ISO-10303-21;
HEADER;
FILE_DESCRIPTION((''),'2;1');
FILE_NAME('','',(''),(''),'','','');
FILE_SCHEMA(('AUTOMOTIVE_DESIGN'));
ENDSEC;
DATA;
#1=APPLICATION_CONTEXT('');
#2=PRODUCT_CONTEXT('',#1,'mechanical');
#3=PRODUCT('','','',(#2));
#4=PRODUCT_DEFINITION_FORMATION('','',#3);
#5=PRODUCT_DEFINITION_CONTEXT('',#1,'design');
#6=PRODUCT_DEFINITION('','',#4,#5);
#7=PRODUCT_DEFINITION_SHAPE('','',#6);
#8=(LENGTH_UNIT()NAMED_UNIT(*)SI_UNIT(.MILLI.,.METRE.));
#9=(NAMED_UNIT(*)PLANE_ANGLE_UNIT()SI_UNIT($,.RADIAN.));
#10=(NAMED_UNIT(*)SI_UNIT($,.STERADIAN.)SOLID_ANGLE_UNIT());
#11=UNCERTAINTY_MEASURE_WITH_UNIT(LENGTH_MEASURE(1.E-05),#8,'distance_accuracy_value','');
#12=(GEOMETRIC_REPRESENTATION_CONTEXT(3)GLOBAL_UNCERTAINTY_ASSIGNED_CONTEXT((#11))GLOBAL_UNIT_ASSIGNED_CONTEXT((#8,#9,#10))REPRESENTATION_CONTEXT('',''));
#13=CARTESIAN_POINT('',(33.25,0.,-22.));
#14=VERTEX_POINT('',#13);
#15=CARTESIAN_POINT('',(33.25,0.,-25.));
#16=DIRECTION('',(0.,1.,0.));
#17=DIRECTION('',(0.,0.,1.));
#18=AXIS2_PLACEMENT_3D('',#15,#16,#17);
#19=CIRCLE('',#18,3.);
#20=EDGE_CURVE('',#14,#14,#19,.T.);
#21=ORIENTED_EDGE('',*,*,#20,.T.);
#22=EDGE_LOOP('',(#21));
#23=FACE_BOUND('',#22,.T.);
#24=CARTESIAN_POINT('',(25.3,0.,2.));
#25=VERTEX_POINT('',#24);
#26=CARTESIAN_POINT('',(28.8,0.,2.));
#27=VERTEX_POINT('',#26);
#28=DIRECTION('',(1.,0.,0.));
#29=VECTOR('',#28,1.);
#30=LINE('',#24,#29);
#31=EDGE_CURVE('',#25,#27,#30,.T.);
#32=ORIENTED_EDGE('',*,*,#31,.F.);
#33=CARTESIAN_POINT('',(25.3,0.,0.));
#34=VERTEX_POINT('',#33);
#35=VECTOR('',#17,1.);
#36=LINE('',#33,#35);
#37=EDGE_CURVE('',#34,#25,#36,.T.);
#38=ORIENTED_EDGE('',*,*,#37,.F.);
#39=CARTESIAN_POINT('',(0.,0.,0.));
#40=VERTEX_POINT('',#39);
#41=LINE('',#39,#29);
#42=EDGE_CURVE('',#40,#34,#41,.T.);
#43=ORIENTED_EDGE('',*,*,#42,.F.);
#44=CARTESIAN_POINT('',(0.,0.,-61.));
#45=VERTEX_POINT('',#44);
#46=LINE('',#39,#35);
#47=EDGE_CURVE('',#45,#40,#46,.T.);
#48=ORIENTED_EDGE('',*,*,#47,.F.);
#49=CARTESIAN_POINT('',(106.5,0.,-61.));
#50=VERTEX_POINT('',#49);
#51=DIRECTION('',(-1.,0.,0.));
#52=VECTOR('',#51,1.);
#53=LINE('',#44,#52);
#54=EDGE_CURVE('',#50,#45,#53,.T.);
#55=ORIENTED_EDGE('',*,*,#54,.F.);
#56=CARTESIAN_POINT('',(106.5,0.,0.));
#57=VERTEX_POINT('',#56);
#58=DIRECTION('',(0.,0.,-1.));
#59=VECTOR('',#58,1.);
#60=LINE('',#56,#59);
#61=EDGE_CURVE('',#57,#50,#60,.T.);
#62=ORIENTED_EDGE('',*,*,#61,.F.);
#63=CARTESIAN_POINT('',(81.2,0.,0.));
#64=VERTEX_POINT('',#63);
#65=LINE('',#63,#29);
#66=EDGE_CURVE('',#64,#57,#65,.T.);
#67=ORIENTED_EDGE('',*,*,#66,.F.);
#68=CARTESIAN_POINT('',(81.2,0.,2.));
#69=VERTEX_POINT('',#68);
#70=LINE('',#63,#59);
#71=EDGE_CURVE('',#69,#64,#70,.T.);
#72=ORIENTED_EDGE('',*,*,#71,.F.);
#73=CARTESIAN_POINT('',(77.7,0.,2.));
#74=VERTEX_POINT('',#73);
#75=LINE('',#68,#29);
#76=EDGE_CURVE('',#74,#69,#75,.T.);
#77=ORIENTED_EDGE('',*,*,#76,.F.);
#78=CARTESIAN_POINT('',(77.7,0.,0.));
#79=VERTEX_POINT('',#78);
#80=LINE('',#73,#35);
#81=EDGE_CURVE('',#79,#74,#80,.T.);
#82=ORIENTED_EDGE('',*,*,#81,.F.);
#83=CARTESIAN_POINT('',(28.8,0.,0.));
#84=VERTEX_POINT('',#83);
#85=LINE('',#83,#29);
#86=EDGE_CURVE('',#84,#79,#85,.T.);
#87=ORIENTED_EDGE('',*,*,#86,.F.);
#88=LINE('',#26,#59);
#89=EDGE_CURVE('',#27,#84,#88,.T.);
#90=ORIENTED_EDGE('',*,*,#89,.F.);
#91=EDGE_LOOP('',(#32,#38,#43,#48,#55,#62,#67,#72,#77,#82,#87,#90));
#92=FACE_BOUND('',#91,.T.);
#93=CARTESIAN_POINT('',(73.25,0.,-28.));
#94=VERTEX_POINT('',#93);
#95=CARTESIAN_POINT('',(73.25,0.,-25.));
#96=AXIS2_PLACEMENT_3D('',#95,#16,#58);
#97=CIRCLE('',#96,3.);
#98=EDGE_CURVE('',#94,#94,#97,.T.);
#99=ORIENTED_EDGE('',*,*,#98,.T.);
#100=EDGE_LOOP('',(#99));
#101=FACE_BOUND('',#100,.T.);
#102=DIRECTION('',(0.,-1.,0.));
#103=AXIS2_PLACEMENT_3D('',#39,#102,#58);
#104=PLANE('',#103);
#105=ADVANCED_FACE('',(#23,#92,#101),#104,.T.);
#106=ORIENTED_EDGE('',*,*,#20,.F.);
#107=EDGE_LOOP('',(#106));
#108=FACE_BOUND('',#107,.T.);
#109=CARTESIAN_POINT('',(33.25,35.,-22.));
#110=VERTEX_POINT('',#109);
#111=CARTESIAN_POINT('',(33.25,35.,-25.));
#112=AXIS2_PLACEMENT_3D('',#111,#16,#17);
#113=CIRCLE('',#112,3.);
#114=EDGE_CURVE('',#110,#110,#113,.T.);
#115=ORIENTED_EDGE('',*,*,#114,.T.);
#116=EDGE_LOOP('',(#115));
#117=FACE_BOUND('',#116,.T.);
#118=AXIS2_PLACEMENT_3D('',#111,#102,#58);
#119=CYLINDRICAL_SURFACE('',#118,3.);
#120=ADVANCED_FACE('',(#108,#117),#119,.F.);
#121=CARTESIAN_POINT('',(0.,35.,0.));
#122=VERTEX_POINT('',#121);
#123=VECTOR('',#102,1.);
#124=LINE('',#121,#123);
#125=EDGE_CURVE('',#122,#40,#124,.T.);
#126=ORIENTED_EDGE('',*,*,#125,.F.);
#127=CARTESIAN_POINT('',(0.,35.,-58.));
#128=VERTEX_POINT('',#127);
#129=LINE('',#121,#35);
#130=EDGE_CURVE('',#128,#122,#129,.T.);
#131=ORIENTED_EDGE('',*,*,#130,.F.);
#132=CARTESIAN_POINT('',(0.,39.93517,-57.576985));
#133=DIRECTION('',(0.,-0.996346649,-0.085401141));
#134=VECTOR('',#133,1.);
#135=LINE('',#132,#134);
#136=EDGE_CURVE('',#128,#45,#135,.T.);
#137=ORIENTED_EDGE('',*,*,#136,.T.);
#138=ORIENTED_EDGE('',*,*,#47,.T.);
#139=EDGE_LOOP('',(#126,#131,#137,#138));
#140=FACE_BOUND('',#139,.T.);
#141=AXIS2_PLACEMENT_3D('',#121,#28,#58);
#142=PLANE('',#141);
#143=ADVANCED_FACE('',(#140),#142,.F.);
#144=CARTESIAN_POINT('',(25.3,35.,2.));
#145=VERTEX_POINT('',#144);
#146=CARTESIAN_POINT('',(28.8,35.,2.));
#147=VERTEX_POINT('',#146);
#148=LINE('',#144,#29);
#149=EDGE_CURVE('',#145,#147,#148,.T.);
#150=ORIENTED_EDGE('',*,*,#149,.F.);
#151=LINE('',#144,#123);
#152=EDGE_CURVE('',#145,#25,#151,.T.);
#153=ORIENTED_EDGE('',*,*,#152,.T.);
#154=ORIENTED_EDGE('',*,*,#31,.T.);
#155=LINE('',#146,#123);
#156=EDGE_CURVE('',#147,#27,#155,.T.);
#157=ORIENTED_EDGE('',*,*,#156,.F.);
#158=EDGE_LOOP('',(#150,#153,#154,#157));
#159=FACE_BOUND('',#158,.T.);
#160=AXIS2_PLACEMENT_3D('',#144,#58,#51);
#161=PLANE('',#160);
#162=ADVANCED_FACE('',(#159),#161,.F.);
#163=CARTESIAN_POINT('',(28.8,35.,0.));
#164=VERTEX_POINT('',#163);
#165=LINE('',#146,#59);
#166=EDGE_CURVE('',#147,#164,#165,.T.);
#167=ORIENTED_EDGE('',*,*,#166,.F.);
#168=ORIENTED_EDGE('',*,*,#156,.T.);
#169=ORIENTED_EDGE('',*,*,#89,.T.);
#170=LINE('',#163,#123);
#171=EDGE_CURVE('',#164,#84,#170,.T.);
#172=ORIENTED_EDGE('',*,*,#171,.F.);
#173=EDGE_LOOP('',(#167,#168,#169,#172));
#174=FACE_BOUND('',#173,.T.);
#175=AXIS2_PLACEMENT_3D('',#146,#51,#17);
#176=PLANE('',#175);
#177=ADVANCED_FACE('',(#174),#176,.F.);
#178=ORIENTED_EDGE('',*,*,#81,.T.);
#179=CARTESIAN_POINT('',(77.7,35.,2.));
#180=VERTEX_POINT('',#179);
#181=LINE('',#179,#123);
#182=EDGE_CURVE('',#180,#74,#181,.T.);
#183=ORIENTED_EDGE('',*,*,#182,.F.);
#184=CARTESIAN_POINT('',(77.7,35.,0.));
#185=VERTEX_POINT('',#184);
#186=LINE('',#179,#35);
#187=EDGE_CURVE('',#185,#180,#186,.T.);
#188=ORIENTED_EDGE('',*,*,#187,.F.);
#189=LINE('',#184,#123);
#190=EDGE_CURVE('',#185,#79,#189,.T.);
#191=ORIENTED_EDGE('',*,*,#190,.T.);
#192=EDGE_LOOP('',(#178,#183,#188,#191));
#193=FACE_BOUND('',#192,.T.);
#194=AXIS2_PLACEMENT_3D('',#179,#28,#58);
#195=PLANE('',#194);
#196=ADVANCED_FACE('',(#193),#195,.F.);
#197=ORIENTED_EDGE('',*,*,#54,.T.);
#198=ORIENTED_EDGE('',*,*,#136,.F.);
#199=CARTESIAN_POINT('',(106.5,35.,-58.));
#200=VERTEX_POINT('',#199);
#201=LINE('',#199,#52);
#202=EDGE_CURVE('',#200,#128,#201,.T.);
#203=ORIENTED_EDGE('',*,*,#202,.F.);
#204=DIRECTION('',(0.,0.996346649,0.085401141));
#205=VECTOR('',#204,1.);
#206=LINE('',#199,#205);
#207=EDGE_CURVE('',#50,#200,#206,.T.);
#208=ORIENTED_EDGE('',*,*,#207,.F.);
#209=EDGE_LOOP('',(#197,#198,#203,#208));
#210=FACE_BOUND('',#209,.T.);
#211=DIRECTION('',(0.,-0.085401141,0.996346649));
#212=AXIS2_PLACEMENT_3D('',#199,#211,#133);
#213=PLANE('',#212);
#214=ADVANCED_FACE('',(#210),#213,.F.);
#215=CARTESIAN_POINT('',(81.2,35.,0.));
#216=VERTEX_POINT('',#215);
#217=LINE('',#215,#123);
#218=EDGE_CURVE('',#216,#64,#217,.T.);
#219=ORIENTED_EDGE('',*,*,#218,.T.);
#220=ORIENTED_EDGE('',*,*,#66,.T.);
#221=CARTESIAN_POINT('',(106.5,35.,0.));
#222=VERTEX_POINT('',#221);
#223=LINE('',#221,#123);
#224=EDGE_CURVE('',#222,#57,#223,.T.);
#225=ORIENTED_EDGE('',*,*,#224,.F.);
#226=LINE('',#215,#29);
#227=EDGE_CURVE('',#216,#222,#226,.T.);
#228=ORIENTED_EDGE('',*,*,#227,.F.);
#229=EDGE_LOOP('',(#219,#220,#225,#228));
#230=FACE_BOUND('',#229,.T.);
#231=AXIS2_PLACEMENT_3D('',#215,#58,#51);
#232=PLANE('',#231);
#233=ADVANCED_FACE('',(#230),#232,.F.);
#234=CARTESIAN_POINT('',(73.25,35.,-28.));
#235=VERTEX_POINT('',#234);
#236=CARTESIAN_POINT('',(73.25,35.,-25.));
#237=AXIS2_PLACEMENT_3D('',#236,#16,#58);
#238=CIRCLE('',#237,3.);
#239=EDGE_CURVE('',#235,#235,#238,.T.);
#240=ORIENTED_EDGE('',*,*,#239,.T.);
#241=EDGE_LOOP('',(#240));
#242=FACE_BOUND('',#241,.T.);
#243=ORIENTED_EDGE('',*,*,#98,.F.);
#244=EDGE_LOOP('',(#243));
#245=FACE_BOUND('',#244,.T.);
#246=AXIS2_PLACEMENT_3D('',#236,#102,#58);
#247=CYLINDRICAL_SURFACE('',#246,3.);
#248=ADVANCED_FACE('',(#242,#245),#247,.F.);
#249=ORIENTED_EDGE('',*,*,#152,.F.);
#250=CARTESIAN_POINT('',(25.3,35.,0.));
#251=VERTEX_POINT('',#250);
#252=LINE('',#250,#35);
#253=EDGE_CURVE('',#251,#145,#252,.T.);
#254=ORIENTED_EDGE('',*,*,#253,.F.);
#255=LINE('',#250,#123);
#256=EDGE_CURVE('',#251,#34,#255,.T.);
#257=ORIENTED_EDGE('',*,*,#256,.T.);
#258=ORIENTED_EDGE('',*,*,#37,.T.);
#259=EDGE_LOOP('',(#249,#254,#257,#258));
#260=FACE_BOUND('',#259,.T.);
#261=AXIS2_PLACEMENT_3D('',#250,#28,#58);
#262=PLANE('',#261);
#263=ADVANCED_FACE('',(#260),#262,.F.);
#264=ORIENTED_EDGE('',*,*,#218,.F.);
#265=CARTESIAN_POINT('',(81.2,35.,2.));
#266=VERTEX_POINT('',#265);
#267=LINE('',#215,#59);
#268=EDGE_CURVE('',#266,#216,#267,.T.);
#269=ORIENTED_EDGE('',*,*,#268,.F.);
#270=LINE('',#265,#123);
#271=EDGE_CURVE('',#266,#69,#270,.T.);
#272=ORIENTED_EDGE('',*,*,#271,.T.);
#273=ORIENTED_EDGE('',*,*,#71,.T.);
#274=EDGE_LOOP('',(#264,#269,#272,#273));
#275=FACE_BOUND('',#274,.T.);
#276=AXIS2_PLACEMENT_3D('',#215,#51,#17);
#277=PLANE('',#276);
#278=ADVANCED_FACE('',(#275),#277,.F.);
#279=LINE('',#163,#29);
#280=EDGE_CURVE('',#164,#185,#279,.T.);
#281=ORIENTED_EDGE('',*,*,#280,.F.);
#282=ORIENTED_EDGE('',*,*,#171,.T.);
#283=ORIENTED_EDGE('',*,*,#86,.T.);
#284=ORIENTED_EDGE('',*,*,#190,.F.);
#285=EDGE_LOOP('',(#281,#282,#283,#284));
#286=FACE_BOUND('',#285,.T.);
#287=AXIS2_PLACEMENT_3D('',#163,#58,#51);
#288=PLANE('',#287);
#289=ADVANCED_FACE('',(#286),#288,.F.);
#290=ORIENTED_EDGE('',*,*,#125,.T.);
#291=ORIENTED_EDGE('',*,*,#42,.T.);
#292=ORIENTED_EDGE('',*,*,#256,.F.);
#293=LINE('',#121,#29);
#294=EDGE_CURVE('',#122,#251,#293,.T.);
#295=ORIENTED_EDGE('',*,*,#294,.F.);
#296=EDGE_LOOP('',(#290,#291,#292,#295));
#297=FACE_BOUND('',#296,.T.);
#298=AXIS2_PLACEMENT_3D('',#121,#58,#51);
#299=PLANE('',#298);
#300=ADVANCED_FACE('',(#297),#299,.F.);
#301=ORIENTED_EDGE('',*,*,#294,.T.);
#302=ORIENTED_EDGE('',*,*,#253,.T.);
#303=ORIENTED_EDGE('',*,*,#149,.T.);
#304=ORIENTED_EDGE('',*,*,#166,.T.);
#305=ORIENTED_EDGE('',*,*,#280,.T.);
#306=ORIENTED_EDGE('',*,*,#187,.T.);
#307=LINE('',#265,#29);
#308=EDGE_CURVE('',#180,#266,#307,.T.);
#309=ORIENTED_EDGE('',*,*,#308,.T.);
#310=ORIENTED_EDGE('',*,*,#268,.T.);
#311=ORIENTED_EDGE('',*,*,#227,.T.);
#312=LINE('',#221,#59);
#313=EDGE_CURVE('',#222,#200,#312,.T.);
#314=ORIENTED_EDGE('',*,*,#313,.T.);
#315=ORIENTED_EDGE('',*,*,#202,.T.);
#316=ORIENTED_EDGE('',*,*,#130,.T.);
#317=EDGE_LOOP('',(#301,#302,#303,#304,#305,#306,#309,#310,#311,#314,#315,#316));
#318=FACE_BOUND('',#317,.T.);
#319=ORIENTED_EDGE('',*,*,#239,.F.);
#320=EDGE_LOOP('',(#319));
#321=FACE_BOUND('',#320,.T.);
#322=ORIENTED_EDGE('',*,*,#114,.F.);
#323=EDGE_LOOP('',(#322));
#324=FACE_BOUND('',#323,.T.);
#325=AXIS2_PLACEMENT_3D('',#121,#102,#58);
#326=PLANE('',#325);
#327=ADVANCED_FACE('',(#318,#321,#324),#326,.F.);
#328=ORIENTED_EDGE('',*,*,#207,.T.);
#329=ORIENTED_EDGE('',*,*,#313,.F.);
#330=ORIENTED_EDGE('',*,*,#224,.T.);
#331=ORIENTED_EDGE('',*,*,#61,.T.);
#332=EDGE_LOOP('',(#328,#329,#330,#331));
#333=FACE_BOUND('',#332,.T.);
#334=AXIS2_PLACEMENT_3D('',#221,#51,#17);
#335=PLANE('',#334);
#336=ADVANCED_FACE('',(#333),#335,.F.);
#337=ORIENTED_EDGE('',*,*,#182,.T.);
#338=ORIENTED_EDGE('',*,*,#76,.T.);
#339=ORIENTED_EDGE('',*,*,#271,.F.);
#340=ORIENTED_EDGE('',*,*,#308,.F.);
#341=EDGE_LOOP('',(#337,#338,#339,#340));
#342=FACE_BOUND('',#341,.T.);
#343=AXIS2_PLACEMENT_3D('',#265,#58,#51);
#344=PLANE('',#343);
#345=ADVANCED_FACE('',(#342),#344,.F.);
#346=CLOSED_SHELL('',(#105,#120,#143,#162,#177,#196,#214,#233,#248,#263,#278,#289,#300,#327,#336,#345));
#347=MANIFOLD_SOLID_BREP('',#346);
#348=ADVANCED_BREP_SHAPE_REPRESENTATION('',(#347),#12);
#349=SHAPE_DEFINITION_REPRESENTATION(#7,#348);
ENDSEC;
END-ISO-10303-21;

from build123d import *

# Parameters (mm, degrees)
SKETCH1_R               = 3
BOSS_EXTRUDE2_DEPTH     = 35
CUT_EXTRUDE1_DEPTH      = 128.625428501
CUT_EXTRUDE1_DEPTH_BACK = 128.625428501


with BuildPart() as part:
    # Sketch1 → Boss-Extrude2 (new body)
    with BuildSketch(Plane(origin=(0, 0, 0), x_dir=(1, 0, 0), z_dir=(0, 1, 0))):
        Polygon((0, 0), (25.3, 0), (25.3, -2), (28.8, -2), (28.8, 0), (77.7, 0), (77.7, -2), (81.2, -2), (81.2, 0), (106.5, 0), (106.5, 61), (0, 61), align=None)
        with Locations(Location((33.25, 25, 0), (0, 0, 270))):
            Circle(SKETCH1_R, mode=Mode.SUBTRACT)
        with Locations(Location((73.25, 25, 0), (0, 0, 90))):
            Circle(SKETCH1_R, mode=Mode.SUBTRACT)
    extrude(amount=BOSS_EXTRUDE2_DEPTH)

    # Sketch2 → Cut-Extrude1 (cut, two sides: drawn at the far end of the back side and taken through both)
    with BuildSketch(Plane.ZY.offset(-CUT_EXTRUDE1_DEPTH_BACK)):
        Polygon((-61, 35), (-58, 35), (-61, 0), align=None)
    extrude(amount=CUT_EXTRUDE1_DEPTH + CUT_EXTRUDE1_DEPTH_BACK, mode=Mode.SUBTRACT)


solid = part.part
